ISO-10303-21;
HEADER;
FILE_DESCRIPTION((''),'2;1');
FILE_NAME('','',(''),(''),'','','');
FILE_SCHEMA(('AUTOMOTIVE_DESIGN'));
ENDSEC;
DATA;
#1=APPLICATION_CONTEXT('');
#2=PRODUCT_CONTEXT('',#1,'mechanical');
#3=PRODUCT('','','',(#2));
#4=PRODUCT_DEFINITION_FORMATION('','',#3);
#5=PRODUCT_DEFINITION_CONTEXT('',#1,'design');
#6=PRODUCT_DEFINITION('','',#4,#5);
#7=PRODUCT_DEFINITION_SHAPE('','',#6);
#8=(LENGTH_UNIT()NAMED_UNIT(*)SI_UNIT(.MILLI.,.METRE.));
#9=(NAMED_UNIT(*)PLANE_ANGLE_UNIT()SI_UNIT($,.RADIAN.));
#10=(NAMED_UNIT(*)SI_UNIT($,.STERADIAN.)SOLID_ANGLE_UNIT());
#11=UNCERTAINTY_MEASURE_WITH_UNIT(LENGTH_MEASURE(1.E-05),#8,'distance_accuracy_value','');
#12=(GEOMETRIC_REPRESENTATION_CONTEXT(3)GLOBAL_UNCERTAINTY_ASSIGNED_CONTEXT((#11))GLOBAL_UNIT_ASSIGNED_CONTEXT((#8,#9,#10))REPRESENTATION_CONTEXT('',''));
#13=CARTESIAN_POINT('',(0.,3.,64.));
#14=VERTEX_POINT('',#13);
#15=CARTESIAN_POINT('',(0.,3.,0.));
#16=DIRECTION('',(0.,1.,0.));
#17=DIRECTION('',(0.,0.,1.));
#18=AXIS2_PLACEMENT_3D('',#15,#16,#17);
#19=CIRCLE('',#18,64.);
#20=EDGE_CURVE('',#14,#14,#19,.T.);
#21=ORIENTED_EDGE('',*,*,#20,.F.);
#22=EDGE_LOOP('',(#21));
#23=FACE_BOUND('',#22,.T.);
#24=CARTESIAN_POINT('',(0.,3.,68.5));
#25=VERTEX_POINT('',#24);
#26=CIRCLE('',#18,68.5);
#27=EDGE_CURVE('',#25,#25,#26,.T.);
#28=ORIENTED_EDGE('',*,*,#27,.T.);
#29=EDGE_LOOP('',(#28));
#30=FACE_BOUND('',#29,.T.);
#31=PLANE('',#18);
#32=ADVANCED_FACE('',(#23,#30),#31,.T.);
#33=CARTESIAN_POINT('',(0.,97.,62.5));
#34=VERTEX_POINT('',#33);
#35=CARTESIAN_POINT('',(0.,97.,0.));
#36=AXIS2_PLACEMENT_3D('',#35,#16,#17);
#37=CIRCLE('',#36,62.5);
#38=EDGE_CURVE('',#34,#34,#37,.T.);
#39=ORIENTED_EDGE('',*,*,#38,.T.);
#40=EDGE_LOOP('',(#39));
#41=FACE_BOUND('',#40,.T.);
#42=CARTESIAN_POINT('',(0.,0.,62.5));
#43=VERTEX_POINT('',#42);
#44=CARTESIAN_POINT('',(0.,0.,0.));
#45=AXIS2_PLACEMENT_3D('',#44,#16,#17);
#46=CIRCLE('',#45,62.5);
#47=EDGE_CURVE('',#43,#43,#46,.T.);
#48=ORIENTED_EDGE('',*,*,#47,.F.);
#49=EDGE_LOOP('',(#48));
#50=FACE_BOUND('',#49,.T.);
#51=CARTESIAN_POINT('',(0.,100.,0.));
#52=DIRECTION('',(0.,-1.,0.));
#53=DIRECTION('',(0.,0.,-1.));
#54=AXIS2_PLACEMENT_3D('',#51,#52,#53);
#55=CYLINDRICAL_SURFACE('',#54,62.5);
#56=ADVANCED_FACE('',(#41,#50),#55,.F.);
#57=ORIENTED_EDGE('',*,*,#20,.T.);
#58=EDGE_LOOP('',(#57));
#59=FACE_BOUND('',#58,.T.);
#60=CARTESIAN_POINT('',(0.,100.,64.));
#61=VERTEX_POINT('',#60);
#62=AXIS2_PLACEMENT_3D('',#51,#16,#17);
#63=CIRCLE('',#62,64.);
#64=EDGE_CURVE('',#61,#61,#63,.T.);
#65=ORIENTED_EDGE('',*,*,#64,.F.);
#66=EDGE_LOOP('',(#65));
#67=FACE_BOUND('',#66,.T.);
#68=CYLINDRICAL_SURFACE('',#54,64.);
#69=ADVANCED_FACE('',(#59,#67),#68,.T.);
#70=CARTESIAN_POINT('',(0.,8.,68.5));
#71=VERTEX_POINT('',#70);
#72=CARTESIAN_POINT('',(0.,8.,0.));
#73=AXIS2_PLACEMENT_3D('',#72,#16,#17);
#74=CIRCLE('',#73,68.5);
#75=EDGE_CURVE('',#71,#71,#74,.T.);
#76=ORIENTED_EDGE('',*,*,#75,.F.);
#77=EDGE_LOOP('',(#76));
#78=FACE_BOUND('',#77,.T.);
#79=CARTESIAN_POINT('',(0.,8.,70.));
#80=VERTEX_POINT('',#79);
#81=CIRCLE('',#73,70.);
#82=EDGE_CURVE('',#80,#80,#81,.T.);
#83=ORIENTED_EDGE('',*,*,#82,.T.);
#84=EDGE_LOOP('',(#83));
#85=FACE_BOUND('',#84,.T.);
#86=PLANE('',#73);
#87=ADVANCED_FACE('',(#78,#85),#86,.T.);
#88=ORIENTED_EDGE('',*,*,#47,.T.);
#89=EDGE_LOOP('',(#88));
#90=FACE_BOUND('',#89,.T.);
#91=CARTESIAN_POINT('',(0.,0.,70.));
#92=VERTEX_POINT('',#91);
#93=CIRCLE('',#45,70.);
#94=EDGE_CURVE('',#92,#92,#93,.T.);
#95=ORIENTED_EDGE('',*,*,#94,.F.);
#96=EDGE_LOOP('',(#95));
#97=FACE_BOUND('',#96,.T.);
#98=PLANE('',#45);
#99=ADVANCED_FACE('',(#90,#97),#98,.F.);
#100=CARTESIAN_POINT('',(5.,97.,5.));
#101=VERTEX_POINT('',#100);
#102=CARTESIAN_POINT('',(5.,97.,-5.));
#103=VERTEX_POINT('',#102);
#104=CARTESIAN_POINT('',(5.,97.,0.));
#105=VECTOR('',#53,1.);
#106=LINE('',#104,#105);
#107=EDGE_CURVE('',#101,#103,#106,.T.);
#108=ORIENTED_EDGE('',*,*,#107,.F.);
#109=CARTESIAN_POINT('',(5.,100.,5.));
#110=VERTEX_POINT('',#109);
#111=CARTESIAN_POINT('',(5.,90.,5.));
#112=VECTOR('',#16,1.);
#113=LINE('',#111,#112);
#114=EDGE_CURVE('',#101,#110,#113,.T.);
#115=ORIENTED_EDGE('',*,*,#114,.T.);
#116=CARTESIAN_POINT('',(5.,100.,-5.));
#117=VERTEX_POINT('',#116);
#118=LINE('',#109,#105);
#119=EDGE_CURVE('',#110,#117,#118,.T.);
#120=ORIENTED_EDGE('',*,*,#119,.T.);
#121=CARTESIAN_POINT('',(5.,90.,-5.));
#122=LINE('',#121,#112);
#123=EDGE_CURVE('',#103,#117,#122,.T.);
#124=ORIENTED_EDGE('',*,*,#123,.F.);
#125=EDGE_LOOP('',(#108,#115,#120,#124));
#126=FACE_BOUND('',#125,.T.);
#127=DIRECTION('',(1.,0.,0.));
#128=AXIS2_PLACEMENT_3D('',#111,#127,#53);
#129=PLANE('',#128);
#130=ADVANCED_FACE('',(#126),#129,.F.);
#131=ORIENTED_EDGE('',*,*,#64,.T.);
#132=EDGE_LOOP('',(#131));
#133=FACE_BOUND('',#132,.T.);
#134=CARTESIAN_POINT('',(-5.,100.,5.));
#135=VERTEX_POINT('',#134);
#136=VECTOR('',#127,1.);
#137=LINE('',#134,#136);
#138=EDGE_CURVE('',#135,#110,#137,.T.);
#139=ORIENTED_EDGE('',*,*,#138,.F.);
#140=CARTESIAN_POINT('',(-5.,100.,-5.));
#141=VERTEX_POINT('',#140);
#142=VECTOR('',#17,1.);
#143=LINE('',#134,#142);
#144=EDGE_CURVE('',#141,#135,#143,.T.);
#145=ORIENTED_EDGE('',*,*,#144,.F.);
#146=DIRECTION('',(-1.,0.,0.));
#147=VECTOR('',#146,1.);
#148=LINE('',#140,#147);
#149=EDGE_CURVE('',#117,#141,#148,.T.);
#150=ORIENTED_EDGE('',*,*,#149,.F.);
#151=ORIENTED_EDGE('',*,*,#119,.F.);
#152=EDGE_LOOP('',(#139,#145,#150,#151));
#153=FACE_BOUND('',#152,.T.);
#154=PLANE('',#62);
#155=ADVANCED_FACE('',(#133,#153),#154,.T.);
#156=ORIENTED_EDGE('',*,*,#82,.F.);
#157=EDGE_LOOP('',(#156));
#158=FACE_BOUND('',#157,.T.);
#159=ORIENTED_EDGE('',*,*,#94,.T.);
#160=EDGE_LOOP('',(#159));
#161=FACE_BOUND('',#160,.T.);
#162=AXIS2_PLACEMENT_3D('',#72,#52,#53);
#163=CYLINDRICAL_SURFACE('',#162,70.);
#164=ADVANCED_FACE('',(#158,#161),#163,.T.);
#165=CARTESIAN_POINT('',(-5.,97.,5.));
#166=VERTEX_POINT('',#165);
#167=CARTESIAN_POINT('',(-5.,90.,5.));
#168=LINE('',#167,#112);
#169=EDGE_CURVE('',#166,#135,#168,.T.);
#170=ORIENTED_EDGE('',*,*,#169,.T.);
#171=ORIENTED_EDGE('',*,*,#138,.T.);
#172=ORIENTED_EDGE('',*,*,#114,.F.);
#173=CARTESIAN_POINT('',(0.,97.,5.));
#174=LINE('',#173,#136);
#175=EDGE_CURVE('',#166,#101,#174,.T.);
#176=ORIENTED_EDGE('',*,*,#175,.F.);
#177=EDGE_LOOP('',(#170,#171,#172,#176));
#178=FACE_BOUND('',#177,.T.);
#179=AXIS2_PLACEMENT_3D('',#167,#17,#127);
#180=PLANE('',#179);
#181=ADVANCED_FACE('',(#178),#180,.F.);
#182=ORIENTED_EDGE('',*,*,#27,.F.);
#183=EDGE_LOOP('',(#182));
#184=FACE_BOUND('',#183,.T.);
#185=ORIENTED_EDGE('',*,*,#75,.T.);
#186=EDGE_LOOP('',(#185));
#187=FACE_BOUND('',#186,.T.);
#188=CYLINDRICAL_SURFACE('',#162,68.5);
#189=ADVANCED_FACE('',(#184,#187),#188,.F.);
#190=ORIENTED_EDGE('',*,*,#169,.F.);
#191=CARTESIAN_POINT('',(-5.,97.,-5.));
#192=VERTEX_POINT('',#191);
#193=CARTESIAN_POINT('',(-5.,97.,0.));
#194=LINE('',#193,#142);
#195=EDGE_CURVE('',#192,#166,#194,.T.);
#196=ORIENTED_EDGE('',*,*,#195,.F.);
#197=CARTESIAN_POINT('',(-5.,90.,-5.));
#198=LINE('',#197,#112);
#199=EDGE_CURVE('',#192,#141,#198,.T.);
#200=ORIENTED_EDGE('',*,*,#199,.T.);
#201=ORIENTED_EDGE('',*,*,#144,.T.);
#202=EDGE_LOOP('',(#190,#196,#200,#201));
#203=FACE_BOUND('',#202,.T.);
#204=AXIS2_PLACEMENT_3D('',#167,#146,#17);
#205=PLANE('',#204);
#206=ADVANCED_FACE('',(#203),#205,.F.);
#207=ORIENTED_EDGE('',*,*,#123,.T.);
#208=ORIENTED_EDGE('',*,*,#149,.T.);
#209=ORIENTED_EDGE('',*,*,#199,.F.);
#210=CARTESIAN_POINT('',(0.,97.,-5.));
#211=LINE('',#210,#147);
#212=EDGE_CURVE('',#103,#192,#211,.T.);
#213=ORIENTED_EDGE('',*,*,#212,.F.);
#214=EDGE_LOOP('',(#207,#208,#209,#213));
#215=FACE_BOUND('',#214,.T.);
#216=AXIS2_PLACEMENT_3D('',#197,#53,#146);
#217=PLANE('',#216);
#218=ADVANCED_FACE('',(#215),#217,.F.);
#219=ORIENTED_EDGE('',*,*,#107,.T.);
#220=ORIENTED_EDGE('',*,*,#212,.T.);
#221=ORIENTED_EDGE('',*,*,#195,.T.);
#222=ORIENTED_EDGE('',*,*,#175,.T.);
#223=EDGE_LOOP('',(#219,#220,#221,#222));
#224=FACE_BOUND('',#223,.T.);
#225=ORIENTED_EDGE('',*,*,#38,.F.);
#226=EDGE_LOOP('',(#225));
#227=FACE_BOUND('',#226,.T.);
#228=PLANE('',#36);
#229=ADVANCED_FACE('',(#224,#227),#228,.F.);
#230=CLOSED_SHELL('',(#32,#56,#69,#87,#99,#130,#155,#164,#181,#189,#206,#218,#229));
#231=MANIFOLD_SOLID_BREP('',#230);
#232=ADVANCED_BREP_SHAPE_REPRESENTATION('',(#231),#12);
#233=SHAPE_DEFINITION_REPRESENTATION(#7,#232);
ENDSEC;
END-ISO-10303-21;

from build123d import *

# Parameters (mm, degrees)
SKETCH_1_R          = 70
SKETCH_1_R_2        = 68.5
EXTRUDE_1_DEPTH     = 8
SKETCH_2_R          = 68.5
SKETCH_2_R_2        = 64
EXTRUDE_2_DEPTH     = 3
SKETCH_3_R          = 64
SKETCH_3_R_2        = 62.5
EXTRUDE_3_DEPTH     = 100
EXTRUDE_START       = 97
SKETCH_4_R          = 62.5
EXTRUDE_4_DEPTH     = 3
SKETCH_5_W          = 10
SKETCH_5_H          = 10
CUT_EXTRUDE_1_DEPTH = 10


with BuildPart() as part:
    # 스케치1 → 보스-돌출1 (new body)
    with BuildSketch(Plane(origin=(0, 0, 0), x_dir=(1, 0, 0), z_dir=(0, 1, 0))):
        with Locations(Location((0, 0, 0), (0, 0, 270))):
            Circle(SKETCH_1_R)
        with Locations(Location((0, 0, 0), (0, 0, 270))):
            Circle(SKETCH_1_R_2, mode=Mode.SUBTRACT)
    extrude(amount=EXTRUDE_1_DEPTH)

    # 스케치2 → 보스-돌출2 (add)
    with BuildSketch(Plane(origin=(0, 0, 0), x_dir=(1, 0, 0), z_dir=(0, 1, 0))):
        with Locations(Location((0, 0, 0), (0, 0, 270))):
            Circle(SKETCH_2_R)
        with Locations(Location((0, 0, 0), (0, 0, 270))):
            Circle(SKETCH_2_R_2, mode=Mode.SUBTRACT)
    extrude(amount=EXTRUDE_2_DEPTH)

    # 스케치3 → 보스-돌출3 (add)
    with BuildSketch(Plane(origin=(0, 0, 0), x_dir=(1, 0, 0), z_dir=(0, 1, 0))):
        with Locations(Location((0, 0, 0), (0, 0, 270))):
            Circle(SKETCH_3_R)
        with Locations(Location((0, 0, 0), (0, 0, 270))):
            Circle(SKETCH_3_R_2, mode=Mode.SUBTRACT)
    extrude(amount=EXTRUDE_3_DEPTH)

    # 스케치4 → 보스-돌출4 (add)
    with BuildSketch(Plane(origin=(0, 0, 0), x_dir=(1, 0, 0), z_dir=(0, 1, 0)).offset(EXTRUDE_START)):
        with Locations(Location((0, 0, 0), (0, 0, 270))):
            Circle(SKETCH_4_R)
    extrude(amount=EXTRUDE_4_DEPTH)

    # 스케치5 → 컷-돌출1 (cut)
    with BuildSketch(Plane(origin=(0, 100, 0), x_dir=(1, 0, 0), z_dir=(0, 1, 0))):
        Rectangle(SKETCH_5_W, SKETCH_5_H)
    extrude(amount=-CUT_EXTRUDE_1_DEPTH, mode=Mode.SUBTRACT)


solid = part.part
